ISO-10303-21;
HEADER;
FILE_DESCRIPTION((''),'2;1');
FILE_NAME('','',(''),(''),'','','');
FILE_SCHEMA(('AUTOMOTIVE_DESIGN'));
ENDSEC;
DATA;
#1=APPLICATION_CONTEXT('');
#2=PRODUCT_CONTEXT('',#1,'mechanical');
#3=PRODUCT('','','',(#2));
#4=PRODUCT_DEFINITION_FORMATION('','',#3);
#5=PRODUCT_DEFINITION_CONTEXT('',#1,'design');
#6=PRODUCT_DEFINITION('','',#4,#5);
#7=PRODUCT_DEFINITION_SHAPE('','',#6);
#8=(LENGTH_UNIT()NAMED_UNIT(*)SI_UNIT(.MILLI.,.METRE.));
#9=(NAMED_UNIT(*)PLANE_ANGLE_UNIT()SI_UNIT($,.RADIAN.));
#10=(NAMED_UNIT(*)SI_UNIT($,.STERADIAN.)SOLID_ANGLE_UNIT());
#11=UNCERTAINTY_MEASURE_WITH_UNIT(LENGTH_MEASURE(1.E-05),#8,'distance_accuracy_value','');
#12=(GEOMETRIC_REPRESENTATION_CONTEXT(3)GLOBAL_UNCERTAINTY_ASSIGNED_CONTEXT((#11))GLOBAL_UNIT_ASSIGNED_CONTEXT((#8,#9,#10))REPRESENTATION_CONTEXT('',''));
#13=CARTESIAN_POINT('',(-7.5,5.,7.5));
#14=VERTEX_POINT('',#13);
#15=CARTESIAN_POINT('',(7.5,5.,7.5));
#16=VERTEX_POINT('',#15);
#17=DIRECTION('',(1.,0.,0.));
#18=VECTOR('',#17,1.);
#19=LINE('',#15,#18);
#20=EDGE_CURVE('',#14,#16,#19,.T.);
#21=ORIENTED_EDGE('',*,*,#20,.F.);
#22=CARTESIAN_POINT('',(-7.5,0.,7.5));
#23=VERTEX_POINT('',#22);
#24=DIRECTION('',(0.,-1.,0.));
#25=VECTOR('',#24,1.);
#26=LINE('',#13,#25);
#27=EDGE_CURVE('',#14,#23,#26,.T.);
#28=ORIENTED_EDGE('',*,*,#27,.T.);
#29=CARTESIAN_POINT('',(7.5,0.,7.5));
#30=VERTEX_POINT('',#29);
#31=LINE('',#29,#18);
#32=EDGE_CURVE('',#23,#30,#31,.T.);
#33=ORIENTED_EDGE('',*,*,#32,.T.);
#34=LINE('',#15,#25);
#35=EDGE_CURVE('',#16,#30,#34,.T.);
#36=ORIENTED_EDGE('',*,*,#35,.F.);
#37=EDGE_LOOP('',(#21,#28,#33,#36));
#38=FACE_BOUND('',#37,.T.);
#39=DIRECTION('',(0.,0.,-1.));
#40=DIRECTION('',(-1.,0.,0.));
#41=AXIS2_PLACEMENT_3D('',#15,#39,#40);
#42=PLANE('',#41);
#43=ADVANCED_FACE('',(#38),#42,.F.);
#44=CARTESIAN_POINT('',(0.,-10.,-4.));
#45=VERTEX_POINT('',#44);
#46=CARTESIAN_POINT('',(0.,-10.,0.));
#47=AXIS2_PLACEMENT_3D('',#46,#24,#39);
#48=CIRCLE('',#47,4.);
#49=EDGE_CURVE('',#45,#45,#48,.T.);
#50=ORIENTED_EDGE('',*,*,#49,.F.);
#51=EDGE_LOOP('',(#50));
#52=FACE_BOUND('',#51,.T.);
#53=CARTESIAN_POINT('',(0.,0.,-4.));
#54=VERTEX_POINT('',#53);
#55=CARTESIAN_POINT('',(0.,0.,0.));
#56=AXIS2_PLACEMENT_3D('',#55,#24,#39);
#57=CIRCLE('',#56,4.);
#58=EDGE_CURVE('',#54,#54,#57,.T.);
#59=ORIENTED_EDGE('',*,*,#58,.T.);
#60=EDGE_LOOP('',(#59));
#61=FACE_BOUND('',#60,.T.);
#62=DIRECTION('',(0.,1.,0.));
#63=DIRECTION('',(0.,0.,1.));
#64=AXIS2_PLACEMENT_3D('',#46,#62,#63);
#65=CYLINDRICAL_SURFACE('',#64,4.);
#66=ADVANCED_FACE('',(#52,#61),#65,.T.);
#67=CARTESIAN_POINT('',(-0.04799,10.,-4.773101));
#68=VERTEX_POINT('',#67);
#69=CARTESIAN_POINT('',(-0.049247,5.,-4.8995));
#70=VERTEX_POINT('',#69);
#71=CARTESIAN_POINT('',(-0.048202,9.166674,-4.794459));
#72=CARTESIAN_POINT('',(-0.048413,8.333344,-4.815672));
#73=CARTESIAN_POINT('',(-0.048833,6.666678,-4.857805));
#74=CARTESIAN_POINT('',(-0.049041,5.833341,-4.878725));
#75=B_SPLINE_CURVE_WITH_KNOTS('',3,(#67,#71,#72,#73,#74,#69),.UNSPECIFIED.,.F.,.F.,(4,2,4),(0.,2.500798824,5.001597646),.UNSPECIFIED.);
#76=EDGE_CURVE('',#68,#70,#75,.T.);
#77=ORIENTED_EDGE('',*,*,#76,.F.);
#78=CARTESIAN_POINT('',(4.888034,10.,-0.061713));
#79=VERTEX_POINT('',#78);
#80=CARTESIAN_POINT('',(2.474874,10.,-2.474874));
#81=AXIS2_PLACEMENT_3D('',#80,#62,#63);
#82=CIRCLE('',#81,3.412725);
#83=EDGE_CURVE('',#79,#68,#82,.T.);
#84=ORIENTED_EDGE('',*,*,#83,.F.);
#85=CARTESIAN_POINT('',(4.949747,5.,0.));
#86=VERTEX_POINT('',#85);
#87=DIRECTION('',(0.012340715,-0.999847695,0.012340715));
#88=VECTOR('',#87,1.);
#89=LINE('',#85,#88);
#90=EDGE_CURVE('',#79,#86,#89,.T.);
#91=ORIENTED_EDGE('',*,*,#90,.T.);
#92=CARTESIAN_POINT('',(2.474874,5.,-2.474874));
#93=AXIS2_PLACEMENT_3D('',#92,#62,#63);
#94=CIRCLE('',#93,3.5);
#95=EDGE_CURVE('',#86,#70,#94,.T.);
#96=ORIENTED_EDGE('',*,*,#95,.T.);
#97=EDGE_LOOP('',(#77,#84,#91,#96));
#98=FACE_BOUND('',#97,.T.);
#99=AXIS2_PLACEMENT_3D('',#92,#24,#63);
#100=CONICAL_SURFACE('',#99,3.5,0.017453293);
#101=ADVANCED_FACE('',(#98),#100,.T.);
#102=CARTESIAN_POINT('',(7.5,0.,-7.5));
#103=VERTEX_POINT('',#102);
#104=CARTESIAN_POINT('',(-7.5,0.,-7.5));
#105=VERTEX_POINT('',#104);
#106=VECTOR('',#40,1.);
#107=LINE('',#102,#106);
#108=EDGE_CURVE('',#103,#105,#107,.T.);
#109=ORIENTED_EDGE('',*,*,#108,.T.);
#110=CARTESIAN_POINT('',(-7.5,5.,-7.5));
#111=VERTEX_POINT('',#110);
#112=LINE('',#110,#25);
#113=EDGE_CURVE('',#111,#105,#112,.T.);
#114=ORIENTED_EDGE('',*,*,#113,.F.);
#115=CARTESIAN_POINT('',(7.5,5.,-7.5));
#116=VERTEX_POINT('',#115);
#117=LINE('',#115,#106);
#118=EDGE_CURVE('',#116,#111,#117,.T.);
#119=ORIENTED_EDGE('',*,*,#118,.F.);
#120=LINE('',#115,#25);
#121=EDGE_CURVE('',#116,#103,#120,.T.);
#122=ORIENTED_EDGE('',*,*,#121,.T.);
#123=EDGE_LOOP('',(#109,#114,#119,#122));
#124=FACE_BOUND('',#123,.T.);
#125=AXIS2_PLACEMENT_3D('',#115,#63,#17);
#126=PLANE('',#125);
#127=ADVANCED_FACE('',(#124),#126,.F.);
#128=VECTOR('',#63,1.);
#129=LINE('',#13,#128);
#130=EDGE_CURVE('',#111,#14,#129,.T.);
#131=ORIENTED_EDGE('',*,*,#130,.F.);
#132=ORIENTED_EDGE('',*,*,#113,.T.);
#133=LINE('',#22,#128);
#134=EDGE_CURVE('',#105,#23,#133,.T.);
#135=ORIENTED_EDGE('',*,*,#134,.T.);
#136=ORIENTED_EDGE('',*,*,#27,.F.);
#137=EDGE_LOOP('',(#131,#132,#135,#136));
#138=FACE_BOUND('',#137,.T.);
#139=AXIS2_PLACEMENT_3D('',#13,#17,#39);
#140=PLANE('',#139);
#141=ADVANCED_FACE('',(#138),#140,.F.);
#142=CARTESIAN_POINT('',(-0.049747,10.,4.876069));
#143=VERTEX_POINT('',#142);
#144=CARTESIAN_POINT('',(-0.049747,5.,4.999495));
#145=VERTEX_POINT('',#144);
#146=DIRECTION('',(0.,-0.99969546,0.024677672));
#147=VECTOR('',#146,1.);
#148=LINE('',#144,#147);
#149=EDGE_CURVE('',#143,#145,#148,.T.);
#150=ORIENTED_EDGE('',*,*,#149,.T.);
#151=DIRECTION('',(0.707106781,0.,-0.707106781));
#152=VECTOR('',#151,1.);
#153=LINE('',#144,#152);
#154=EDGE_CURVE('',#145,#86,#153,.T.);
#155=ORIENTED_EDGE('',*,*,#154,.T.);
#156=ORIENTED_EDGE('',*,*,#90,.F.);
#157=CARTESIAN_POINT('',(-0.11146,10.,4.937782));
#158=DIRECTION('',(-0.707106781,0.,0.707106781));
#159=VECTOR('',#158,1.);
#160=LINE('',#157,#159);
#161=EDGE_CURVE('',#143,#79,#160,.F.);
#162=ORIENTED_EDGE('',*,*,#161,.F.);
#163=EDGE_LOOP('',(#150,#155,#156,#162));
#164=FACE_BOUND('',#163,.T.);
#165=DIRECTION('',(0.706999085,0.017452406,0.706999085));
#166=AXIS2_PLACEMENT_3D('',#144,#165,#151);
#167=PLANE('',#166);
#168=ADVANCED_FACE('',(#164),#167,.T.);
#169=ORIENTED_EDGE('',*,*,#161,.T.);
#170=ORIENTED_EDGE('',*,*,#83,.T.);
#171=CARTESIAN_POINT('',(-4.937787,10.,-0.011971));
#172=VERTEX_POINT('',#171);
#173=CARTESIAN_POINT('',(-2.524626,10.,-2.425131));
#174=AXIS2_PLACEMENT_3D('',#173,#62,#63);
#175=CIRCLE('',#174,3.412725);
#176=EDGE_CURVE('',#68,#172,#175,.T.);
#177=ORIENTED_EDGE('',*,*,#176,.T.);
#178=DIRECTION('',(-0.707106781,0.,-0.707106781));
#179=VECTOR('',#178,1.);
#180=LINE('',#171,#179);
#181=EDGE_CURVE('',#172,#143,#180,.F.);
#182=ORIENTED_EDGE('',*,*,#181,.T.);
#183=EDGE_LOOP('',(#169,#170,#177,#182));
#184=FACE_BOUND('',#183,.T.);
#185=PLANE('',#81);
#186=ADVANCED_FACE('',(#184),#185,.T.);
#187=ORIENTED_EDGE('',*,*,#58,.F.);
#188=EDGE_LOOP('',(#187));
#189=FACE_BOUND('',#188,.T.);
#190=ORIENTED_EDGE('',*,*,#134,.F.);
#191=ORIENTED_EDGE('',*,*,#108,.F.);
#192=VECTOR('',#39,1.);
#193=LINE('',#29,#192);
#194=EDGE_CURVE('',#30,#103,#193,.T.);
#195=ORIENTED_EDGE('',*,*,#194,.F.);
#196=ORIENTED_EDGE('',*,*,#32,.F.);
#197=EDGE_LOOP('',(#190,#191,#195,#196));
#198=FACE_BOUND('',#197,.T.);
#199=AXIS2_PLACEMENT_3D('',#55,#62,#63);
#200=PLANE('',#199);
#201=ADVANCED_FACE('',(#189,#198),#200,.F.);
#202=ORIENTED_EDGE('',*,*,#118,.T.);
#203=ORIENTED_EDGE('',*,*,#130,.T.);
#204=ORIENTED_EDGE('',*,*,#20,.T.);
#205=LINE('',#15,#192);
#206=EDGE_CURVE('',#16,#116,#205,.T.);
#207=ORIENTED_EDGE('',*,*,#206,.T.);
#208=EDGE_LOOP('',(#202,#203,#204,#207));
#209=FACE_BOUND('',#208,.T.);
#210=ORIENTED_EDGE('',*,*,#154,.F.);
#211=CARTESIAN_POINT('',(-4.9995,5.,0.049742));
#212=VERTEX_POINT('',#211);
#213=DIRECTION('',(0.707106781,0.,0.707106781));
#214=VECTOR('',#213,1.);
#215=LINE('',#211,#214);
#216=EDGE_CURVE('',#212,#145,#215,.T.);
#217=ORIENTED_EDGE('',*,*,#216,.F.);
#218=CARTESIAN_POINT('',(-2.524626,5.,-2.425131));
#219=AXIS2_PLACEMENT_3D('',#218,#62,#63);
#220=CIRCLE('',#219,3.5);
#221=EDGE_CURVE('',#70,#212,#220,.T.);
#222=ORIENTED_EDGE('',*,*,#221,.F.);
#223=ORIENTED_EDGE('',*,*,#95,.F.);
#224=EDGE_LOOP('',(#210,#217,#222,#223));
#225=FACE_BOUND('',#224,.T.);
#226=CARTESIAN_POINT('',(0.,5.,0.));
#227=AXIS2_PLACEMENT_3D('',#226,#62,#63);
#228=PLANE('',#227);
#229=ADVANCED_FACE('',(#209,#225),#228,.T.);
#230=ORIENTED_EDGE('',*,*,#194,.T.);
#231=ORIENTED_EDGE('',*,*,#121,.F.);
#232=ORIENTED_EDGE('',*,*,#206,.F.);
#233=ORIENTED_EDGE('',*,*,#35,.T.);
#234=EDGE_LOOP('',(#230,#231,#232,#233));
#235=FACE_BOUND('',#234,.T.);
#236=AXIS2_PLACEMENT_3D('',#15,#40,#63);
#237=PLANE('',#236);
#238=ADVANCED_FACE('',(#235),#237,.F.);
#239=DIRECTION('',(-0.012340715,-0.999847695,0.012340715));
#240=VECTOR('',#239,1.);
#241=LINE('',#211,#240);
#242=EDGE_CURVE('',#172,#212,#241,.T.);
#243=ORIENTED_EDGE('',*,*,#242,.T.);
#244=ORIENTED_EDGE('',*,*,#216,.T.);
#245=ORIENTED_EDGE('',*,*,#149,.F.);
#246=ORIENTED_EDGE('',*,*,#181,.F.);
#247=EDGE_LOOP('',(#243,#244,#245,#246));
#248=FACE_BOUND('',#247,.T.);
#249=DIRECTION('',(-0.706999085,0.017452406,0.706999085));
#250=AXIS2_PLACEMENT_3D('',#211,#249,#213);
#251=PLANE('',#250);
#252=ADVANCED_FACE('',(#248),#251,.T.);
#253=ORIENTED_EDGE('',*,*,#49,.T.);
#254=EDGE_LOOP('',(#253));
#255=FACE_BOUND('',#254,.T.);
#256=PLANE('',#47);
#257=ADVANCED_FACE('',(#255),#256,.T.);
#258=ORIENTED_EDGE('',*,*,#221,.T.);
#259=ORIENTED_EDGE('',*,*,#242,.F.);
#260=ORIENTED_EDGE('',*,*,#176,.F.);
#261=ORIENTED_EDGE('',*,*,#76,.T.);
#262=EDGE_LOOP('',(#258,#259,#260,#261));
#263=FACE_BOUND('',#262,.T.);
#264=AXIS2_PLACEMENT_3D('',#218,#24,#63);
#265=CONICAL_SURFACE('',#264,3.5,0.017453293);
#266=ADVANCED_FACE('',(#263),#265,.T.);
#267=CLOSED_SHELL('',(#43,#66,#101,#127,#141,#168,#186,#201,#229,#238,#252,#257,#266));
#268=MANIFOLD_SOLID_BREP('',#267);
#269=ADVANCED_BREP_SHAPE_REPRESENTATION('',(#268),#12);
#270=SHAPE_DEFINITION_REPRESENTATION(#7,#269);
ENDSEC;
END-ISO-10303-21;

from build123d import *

# Parameters (mm, degrees)
SKETCH1_W           = 15
SKETCH1_H           = 15
BOSS_EXTRUDE1_DEPTH = 5
BOSS_EXTRUDE2_DEPTH = 5
BOSS_EXTRUDE2_TAPER = 1
SKETCH3_R           = 4
BOSS_EXTRUDE3_DEPTH = 10


with BuildPart() as part:
    # Sketch1 → Boss-Extrude1 (new body)
    with BuildSketch(Plane(origin=(0, 0, 0), x_dir=(1, 0, 0), z_dir=(0, 1, 0))):
        Rectangle(SKETCH1_W, SKETCH1_H)
    extrude(amount=BOSS_EXTRUDE1_DEPTH)

    # Sketch2 → Boss-Extrude2 (add)
    with BuildSketch(Plane(origin=(0, 5, 0), x_dir=(1, 0, 0), z_dir=(0, 1, 0))):
        with BuildLine():
            Line((-4.999500013, -0.049742391), (-0.049747468, -4.999494936))
            Line((-0.049747468, -4.999494936), (4.949747468, 0))
            ThreePointArc((4.949747468, 0), (4.924747439, 4.974497472), (-0.049247481, 4.89949991))
            ThreePointArc((-0.049247481, 4.89949991), (-4.999247442, 4.900257622), (-4.999500013, -0.049742391))
        make_face()
    extrude(amount=BOSS_EXTRUDE2_DEPTH, taper=BOSS_EXTRUDE2_TAPER)

    # Sketch3 → Boss-Extrude3 (add)
    with BuildSketch(Plane.XZ):
        with Locations(Location((0, 0, 0), (0, 0, 270))):
            Circle(SKETCH3_R)
    extrude(amount=BOSS_EXTRUDE3_DEPTH)


solid = part.part
